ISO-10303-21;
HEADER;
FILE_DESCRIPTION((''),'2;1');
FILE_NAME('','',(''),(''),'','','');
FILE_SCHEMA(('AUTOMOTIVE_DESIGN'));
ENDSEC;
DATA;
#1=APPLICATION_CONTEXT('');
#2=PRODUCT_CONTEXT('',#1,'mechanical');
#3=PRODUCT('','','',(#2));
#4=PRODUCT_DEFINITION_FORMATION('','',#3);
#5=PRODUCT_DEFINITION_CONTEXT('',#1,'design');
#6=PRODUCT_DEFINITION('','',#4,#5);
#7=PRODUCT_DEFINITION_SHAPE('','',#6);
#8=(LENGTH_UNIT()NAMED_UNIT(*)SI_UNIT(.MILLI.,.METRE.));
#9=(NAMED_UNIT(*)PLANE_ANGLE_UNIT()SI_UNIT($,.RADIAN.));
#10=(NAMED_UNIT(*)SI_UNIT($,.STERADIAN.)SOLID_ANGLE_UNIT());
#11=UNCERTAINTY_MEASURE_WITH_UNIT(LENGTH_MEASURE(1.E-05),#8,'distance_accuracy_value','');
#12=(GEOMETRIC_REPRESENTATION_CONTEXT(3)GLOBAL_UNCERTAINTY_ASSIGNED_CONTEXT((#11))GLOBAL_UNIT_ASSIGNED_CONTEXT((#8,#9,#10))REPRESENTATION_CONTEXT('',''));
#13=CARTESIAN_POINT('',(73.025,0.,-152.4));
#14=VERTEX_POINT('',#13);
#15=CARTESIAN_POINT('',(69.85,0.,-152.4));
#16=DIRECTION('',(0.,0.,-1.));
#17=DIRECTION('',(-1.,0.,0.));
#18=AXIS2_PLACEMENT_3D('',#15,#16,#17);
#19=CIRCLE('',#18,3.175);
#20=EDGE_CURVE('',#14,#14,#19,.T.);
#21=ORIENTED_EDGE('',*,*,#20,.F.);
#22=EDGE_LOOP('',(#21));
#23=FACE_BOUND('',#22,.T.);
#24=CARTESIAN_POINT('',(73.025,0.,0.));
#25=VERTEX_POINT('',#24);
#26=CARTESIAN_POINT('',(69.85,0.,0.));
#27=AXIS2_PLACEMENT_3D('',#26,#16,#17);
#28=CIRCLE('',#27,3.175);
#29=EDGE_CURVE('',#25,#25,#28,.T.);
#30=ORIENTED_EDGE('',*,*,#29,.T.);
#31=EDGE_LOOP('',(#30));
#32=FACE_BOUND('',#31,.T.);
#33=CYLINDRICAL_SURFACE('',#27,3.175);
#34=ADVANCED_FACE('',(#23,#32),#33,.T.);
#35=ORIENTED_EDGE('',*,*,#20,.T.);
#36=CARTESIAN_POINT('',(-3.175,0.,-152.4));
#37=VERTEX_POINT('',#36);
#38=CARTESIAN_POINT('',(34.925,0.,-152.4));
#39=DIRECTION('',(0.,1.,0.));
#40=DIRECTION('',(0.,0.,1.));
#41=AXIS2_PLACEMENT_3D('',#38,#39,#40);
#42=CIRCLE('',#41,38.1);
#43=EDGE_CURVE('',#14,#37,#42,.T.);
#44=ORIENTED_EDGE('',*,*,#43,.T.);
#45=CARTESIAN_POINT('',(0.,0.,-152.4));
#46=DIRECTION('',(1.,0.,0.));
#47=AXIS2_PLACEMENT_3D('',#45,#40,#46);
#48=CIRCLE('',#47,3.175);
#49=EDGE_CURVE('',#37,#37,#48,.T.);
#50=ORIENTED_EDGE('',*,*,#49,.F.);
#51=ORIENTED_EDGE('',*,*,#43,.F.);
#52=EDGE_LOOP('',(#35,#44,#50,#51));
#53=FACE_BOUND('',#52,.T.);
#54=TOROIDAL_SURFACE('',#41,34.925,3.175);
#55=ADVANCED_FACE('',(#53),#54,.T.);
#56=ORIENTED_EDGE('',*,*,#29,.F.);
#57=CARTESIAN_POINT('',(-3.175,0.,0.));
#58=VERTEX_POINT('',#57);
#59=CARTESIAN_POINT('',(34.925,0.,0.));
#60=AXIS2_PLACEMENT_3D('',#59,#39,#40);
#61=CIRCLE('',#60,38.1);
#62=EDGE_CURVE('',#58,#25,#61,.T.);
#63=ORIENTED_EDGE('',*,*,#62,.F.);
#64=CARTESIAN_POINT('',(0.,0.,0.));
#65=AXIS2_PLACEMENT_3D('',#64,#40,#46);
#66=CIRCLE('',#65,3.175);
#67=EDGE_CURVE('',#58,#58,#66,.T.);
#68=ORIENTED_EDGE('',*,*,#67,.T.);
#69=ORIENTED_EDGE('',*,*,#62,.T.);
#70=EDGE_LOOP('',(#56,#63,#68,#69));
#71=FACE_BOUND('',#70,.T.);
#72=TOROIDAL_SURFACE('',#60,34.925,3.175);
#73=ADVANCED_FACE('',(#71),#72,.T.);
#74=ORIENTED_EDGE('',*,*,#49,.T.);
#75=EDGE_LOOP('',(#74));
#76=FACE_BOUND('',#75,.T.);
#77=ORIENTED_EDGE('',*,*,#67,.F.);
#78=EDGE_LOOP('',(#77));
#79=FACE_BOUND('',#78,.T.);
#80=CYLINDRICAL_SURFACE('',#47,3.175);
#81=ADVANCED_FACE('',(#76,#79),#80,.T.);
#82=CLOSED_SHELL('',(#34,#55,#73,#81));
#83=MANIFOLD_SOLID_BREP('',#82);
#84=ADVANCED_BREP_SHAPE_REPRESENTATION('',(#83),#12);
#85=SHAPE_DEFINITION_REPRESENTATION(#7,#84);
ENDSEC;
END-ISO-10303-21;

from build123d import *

# Parameters (mm, degrees)
SKETCH1_R = 3.175


with BuildPart() as part:
    # Sweep1: sweep along a path in Sketch2
    with BuildLine(Plane(origin=(0, 0, 0), x_dir=(1, 0, 0), z_dir=(0, 1, 0))) as sweep1_path:
        Line((0, 0), (0, 152.4))
        ThreePointArc((0, 152.4), (34.925, 187.325), (69.85, 152.4))
        Line((69.85, 152.4), (69.85, 0))
        ThreePointArc((69.85, 0), (34.925, -34.925), (0, 0))
    # Sketch1 → Sweep1 (sweep)
    with BuildSketch(Plane.XY):
        Circle(SKETCH1_R)
    sweep(path=sweep1_path.line)


solid = part.part
